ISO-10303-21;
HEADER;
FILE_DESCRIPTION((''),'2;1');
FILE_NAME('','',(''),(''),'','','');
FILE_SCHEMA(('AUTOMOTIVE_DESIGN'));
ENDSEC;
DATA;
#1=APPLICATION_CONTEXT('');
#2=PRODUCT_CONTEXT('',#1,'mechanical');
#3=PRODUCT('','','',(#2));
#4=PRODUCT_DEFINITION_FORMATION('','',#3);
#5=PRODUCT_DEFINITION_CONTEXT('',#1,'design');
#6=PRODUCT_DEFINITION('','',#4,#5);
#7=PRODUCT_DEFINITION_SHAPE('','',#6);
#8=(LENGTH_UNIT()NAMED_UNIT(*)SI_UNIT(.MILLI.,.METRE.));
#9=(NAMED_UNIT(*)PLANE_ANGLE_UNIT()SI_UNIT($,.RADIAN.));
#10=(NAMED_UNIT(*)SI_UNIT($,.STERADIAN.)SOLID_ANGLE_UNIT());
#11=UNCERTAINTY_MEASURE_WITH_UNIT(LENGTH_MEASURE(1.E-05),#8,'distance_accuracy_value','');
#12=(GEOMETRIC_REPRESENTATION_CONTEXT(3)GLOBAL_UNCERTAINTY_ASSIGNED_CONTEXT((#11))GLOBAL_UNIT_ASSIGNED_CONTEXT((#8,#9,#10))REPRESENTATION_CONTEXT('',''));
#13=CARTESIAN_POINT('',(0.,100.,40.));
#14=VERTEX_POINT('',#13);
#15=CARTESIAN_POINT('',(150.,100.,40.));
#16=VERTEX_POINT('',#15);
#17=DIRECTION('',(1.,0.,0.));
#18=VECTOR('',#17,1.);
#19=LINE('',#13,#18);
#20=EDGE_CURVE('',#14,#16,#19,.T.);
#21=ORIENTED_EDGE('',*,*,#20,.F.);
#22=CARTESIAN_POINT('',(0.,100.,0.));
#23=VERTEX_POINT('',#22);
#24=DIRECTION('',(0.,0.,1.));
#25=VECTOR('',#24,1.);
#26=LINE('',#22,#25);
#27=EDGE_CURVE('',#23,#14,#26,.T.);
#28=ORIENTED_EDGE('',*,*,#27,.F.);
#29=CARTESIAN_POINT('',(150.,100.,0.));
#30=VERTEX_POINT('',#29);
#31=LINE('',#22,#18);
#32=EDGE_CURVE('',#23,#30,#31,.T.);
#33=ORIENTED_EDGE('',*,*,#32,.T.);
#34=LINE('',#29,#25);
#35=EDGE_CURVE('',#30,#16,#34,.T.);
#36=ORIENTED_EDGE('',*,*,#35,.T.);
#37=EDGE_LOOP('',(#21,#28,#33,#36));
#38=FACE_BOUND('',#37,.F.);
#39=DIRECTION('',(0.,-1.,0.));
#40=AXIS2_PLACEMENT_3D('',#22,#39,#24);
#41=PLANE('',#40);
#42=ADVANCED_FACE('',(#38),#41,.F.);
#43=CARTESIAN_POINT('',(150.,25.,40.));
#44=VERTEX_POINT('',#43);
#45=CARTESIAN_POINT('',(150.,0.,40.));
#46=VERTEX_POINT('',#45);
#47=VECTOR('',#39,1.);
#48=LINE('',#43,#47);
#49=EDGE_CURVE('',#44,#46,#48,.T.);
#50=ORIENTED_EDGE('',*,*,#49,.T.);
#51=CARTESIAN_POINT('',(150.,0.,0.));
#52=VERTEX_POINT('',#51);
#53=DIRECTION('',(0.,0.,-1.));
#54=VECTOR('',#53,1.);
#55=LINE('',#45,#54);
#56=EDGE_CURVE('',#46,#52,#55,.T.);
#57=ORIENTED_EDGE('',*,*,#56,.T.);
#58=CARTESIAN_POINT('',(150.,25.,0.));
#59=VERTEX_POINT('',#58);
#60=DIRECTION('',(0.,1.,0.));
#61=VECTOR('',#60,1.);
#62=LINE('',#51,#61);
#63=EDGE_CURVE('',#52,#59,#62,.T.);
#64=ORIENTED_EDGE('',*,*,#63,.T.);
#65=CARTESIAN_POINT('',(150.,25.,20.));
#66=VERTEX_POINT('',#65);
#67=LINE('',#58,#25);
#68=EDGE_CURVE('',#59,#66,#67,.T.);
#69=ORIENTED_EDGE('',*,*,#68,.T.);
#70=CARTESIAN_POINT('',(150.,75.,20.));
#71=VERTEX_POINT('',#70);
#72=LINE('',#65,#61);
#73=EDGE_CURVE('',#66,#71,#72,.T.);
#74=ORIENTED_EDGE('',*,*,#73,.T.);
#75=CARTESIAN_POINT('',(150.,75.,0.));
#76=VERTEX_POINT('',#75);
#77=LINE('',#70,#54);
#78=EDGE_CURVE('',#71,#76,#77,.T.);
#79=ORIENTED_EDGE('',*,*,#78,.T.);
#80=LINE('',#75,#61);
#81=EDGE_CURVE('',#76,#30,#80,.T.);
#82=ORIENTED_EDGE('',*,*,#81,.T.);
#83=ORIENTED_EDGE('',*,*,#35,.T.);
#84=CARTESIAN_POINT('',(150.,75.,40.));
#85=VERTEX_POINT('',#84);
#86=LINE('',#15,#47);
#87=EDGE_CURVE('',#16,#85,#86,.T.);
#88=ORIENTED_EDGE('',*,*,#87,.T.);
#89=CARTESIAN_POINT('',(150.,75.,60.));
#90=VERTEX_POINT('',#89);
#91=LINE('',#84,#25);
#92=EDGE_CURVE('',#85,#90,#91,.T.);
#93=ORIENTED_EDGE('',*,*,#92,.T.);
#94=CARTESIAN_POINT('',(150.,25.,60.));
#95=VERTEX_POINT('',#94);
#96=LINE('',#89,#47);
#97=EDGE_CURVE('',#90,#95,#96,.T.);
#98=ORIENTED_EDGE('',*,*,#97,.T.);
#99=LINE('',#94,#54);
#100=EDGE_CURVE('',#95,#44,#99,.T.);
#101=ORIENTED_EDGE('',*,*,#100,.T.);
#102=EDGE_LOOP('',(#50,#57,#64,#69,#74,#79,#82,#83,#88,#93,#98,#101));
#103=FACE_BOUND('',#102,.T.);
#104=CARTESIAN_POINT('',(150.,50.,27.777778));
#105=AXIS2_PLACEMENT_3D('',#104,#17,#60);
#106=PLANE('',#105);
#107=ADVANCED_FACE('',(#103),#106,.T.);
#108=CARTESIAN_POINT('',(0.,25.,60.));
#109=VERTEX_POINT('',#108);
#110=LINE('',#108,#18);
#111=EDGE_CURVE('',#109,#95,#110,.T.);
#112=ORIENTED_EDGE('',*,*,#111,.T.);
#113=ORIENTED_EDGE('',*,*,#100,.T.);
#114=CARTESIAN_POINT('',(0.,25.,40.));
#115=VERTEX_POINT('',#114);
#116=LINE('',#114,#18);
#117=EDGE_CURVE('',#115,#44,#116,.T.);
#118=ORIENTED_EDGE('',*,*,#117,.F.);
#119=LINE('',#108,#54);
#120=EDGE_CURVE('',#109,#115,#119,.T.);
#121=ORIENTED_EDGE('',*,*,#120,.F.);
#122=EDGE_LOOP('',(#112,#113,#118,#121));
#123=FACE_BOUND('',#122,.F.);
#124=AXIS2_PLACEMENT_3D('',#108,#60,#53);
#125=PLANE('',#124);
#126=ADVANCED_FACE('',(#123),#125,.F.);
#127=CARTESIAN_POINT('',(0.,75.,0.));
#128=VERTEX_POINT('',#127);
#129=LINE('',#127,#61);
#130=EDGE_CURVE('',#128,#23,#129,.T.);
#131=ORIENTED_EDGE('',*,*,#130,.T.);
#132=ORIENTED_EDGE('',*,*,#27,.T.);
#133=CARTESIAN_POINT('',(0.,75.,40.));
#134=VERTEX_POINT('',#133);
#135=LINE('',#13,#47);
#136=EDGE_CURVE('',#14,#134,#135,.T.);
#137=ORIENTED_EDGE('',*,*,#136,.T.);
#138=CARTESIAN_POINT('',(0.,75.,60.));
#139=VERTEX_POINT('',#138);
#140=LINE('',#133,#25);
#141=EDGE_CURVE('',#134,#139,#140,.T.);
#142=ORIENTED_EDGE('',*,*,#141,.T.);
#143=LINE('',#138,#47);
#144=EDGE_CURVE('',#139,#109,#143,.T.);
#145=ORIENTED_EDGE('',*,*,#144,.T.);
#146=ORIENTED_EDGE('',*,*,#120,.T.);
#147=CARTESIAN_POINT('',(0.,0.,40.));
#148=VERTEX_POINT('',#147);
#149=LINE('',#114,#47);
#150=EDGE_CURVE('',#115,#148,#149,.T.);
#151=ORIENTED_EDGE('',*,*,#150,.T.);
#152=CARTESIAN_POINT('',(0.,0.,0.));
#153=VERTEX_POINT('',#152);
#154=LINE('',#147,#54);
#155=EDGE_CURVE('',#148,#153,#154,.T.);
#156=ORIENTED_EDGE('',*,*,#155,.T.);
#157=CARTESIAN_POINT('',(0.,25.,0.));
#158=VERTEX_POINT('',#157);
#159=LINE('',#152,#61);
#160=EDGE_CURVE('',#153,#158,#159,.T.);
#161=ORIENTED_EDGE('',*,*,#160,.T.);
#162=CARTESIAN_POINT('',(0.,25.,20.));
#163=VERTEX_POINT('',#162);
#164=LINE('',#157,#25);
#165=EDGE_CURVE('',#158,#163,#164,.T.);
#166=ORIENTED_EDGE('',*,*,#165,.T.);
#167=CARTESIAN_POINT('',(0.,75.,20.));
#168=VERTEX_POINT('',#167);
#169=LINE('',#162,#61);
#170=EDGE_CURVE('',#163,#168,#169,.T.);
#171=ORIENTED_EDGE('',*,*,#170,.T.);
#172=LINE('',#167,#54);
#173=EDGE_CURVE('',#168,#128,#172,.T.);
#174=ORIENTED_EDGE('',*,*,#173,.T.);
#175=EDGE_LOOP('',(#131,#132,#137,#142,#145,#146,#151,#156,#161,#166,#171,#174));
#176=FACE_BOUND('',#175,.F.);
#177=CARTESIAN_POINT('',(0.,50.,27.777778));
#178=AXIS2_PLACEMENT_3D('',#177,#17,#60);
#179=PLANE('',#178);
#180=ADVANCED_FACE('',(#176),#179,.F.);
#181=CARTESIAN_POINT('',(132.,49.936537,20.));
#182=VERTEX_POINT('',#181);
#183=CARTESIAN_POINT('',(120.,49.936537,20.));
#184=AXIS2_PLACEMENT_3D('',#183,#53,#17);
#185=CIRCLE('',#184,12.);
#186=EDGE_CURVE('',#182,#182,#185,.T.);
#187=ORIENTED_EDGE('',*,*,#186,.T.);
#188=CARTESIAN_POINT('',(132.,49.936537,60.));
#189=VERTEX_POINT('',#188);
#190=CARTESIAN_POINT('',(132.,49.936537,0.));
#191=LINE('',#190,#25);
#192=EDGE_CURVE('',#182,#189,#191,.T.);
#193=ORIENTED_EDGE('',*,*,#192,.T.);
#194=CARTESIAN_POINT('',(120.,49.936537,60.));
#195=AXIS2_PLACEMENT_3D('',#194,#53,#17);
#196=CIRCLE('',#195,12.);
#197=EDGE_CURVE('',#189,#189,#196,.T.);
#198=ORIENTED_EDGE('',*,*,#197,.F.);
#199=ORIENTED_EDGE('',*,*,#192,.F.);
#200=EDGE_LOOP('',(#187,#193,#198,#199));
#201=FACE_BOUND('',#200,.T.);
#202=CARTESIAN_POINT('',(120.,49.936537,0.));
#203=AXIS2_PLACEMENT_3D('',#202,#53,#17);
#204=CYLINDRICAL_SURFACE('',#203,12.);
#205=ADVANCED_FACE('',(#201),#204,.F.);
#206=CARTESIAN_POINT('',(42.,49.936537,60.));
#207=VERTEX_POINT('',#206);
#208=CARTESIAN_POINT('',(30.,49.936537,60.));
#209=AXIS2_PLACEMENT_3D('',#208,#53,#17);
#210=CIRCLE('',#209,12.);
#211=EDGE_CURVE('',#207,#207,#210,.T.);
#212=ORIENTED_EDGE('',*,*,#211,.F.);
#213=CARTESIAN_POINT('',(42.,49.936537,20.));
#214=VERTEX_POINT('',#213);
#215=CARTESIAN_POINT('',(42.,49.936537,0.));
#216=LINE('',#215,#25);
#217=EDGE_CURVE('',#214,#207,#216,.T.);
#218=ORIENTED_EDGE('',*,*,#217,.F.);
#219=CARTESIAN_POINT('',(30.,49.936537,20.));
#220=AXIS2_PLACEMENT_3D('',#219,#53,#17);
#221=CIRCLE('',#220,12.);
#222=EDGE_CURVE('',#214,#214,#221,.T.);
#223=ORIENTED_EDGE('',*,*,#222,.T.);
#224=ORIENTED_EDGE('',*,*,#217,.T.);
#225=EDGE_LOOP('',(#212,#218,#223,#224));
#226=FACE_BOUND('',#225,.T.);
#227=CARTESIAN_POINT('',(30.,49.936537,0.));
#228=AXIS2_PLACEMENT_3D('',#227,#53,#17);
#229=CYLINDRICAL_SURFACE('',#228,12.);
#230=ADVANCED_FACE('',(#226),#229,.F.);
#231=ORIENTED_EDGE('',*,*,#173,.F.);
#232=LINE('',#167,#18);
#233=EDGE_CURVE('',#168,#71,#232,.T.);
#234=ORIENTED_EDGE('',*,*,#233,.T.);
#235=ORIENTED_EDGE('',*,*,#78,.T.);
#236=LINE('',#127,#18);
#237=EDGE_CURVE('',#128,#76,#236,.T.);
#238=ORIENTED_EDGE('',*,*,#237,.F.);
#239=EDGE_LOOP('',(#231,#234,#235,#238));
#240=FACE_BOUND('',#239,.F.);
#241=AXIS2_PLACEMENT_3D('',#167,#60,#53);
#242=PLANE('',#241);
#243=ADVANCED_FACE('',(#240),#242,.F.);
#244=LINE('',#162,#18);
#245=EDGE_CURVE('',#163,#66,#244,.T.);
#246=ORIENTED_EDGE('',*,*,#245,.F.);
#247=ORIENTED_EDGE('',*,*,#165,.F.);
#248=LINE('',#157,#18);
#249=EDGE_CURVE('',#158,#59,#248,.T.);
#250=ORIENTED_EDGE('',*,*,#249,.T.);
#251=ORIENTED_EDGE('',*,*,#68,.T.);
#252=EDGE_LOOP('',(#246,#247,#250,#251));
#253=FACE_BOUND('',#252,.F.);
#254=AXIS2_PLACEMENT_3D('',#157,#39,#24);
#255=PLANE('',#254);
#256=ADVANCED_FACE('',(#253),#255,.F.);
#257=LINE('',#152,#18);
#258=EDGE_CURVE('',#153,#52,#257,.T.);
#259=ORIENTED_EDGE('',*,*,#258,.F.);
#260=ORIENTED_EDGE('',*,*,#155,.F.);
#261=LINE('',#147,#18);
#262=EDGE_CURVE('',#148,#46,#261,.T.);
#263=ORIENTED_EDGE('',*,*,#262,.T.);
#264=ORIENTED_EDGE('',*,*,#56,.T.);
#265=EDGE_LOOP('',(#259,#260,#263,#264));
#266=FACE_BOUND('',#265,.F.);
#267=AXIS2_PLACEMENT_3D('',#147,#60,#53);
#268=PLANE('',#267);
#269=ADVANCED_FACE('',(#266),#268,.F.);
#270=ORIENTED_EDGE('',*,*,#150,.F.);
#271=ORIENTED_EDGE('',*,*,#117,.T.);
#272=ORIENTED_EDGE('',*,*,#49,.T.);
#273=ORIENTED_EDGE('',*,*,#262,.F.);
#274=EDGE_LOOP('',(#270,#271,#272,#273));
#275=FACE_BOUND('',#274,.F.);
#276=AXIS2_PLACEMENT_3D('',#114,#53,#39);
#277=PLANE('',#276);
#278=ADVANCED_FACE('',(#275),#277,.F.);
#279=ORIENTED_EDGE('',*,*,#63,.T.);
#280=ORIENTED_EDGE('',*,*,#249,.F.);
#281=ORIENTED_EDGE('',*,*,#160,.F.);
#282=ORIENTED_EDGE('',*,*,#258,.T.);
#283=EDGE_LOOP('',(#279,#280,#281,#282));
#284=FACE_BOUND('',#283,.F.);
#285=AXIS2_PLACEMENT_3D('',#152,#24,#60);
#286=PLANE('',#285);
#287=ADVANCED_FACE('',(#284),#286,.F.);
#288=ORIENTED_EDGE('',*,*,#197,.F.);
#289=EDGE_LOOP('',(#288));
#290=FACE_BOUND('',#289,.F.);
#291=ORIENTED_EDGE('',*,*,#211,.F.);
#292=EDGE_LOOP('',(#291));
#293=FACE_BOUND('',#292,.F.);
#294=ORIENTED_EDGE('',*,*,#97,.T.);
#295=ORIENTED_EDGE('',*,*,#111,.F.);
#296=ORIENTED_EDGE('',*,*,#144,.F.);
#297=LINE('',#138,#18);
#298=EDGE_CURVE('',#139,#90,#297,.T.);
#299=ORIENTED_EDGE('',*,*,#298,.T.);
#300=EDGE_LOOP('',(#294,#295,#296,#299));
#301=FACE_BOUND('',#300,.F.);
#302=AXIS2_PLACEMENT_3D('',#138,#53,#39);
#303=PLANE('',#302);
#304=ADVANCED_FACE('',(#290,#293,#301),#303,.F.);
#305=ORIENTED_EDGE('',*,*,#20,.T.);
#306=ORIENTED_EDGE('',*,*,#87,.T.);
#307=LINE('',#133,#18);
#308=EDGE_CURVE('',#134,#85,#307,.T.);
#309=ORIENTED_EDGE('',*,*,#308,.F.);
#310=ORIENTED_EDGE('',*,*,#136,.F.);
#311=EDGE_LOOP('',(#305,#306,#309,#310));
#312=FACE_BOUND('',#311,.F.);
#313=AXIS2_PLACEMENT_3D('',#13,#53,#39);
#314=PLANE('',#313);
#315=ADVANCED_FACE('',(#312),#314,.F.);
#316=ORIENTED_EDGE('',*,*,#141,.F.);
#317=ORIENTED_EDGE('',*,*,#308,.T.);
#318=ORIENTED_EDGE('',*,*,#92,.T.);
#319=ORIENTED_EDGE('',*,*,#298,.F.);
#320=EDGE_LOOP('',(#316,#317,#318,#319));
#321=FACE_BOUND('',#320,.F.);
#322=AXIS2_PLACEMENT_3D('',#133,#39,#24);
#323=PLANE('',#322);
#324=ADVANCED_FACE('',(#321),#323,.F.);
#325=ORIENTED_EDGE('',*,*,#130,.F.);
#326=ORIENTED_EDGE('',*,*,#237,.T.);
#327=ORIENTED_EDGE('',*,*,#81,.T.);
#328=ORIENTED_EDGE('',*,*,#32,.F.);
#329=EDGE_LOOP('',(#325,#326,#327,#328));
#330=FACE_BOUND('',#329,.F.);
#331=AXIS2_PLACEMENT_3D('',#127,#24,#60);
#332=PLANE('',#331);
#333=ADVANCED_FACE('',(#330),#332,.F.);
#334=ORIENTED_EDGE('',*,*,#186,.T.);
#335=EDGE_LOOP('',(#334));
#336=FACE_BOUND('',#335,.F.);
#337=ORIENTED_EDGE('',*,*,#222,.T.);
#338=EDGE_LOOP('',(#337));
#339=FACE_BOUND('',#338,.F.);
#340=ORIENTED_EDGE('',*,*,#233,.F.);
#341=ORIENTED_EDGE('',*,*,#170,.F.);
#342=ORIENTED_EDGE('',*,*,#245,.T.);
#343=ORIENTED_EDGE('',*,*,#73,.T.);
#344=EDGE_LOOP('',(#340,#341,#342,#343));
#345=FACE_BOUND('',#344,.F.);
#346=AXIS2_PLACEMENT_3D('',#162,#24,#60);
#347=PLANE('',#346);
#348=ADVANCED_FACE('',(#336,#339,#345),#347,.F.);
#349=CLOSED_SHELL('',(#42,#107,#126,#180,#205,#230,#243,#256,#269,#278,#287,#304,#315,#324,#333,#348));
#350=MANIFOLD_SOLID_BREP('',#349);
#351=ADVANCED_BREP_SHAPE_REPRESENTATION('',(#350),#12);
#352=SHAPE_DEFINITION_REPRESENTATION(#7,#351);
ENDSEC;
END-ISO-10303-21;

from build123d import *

# Parameters (mm, degrees)
F1_DEPTH = 150
F2_R     = 12
F3_DEPTH = 60.001


with BuildPart() as f1:
    # F0 (on Right) → F1 (new body)
    with BuildSketch(Plane.YZ):
        Polygon((0, 40), (0, 0), (25, 0), (25, 20), (75, 20), (75, 0), (100, 0), (100, 40), (75, 40), (75, 60), (25, 60), (25, 40), align=None)
    extrude(amount=F1_DEPTH)

    # F2 (on Top) → F3 (cut, through all)
    with BuildSketch(Plane.XY):
        with Locations((30, 49.936537)):
            Circle(F2_R)
        with Locations((120, 49.936537)):
            Circle(F2_R)
    extrude(amount=F3_DEPTH, mode=Mode.SUBTRACT)


solid = f1.part
